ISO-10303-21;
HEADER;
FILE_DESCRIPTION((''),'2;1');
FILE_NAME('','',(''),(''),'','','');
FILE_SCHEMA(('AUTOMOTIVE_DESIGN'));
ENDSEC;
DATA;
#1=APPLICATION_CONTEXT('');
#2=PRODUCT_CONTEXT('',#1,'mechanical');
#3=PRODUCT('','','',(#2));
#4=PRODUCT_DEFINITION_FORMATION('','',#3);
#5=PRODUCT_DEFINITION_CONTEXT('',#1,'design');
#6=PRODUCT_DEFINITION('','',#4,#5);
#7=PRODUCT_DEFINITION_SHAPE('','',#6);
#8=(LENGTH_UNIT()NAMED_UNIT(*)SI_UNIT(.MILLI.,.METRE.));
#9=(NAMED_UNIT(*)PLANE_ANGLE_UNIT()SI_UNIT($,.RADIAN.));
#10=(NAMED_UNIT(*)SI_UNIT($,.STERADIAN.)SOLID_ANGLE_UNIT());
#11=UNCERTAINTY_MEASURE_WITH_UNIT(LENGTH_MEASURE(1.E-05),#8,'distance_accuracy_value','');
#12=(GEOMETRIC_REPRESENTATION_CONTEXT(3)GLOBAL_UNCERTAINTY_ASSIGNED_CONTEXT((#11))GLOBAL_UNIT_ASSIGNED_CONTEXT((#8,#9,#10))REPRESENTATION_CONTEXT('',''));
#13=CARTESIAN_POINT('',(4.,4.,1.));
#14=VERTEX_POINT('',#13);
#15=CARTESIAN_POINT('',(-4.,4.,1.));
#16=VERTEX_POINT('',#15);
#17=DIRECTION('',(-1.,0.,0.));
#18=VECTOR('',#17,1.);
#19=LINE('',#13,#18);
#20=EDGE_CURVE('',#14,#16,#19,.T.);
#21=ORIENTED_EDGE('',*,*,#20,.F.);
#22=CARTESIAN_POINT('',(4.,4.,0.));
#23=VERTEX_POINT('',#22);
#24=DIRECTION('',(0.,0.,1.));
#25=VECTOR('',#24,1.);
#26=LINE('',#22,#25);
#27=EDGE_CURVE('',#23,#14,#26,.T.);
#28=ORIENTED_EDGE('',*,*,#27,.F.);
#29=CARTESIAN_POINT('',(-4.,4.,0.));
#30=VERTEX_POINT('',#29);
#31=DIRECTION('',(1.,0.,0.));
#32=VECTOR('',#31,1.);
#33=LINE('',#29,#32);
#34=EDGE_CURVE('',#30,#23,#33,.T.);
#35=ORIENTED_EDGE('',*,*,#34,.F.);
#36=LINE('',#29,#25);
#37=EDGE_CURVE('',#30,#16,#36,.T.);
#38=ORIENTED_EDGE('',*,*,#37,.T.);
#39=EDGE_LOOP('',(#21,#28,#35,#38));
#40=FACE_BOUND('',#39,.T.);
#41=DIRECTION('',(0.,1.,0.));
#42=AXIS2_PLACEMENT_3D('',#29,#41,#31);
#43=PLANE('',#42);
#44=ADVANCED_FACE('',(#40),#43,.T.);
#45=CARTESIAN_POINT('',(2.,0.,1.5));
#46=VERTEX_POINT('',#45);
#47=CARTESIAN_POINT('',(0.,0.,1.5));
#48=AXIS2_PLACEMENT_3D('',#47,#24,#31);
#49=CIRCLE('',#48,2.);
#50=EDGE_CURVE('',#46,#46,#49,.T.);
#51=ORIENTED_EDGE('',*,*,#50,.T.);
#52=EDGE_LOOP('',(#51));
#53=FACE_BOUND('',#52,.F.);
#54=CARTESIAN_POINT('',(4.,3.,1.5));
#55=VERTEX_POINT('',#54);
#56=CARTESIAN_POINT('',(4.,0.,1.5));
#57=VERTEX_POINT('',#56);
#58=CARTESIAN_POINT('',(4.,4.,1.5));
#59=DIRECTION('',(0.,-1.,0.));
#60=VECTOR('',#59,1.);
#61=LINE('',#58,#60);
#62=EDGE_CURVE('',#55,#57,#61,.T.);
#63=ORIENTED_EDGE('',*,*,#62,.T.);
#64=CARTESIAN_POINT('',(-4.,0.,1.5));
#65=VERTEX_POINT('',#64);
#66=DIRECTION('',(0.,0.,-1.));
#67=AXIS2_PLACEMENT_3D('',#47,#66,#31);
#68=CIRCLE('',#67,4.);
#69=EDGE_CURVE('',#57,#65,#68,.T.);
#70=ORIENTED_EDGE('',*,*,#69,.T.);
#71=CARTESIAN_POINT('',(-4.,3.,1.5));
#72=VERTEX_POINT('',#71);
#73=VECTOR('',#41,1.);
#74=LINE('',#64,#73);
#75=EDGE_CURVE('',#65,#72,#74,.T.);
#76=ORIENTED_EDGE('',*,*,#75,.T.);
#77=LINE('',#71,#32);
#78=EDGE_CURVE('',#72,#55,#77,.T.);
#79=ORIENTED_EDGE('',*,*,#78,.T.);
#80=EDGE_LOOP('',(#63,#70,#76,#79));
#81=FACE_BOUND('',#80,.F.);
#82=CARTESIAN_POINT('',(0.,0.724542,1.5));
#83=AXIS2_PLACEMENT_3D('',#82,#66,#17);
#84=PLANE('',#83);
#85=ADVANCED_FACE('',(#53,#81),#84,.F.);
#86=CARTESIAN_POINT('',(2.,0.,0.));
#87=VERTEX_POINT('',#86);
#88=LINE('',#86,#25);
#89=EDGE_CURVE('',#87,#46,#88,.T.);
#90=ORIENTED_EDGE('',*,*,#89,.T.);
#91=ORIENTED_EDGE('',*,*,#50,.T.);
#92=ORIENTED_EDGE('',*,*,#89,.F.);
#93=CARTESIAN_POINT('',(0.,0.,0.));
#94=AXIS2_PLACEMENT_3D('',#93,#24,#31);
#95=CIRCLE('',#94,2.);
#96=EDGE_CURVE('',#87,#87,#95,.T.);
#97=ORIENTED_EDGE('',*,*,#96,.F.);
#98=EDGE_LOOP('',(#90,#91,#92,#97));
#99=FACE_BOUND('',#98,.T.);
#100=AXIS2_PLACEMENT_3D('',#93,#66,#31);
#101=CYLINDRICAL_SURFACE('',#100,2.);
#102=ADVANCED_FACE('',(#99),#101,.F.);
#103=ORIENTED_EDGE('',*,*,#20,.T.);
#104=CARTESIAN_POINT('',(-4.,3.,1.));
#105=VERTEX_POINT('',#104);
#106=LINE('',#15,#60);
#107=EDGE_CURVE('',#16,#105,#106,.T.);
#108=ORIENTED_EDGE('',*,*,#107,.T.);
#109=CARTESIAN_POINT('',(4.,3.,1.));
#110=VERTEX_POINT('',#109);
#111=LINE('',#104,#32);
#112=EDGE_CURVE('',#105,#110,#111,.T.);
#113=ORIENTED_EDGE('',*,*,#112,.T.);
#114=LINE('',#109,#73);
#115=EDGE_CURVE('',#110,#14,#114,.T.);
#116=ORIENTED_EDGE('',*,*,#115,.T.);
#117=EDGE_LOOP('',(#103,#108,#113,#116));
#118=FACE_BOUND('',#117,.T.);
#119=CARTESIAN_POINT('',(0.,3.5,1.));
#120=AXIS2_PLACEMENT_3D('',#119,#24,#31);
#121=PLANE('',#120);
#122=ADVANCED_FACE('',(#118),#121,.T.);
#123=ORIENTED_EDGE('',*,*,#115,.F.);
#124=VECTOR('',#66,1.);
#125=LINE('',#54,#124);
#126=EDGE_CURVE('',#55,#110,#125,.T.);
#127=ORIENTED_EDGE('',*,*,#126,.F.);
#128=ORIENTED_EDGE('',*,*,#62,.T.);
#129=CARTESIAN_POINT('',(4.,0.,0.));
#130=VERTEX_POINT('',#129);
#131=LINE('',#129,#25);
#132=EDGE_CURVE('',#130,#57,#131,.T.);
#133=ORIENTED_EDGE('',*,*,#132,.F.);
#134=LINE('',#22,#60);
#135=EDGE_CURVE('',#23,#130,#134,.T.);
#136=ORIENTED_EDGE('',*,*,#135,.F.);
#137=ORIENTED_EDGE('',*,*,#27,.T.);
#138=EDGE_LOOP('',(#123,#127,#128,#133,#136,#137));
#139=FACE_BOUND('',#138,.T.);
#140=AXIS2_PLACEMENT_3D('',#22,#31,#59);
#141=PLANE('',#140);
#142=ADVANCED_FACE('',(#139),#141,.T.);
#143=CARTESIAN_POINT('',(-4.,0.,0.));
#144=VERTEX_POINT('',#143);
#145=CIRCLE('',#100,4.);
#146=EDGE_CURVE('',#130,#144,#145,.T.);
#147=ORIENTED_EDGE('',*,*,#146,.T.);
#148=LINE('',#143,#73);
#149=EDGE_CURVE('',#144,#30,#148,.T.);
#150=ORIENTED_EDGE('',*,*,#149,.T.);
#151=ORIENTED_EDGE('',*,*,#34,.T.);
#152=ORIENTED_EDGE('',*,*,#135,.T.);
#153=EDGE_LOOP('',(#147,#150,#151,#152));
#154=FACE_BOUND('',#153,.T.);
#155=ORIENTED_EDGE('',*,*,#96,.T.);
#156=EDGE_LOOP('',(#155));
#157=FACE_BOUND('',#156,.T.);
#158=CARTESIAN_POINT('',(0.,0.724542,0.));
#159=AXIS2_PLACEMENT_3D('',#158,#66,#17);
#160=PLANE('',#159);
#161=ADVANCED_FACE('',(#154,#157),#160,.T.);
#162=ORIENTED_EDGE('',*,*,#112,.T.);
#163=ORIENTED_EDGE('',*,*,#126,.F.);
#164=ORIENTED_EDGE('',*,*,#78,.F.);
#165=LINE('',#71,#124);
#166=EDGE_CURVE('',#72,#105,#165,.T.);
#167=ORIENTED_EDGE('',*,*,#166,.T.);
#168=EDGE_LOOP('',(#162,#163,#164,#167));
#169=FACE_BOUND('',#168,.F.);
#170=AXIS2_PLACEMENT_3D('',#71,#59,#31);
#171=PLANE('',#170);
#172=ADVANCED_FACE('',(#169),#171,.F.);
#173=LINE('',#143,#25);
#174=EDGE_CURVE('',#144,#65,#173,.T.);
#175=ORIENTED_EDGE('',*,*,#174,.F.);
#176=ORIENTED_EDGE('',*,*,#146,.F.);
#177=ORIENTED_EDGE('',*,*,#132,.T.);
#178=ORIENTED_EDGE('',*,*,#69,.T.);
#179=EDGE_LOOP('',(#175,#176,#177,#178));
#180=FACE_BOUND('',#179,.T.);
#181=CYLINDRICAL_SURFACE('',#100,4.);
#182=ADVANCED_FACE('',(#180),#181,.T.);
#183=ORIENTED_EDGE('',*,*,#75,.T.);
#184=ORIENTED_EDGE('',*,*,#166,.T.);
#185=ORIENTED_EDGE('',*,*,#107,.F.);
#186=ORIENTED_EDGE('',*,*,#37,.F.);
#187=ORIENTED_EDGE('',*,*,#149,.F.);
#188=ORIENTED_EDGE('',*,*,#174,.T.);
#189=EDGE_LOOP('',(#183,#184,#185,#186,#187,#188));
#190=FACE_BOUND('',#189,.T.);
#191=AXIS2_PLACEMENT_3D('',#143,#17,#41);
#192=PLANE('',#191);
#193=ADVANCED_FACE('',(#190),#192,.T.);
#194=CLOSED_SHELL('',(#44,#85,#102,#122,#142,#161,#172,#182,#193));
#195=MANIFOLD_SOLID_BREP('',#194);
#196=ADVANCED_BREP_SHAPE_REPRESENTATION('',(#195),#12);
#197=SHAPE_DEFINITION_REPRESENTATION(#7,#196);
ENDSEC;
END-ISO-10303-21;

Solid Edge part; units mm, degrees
sketch "Sketch1" plane through (0, 0, 0) normal (0, 0, 1) x (1, 0, 0)
  circle A0 centre (0, 0) radius 2
  line L0 (-4, 0) -> (-4, 4)
  line L1 (-4, 4) -> (4, 4)
  line L2 (4, 4) -> (4, 0)
  arc A1 (4, 0) -> (-4, 0) centre (0, 0) cw
extrude "Protrusion1" add sketch "Sketch1" along normal blind 1.5
sketch "Sketch2" plane through (0, 0, 1.5) normal (0, 0, 1) x (1, 0, 0)
  line L0 (-4, 3) -> (4, 3)
  line L1 (4, 3) -> (4, 4)
  line L2 (4, 4) -> (-4, 4)
  line L3 (-4, 4) -> (-4, 3)
  dimension "D1" = 1
extrude "Extrusionsausschnitt_1" cut sketch "Sketch2" against normal blind 0.5
